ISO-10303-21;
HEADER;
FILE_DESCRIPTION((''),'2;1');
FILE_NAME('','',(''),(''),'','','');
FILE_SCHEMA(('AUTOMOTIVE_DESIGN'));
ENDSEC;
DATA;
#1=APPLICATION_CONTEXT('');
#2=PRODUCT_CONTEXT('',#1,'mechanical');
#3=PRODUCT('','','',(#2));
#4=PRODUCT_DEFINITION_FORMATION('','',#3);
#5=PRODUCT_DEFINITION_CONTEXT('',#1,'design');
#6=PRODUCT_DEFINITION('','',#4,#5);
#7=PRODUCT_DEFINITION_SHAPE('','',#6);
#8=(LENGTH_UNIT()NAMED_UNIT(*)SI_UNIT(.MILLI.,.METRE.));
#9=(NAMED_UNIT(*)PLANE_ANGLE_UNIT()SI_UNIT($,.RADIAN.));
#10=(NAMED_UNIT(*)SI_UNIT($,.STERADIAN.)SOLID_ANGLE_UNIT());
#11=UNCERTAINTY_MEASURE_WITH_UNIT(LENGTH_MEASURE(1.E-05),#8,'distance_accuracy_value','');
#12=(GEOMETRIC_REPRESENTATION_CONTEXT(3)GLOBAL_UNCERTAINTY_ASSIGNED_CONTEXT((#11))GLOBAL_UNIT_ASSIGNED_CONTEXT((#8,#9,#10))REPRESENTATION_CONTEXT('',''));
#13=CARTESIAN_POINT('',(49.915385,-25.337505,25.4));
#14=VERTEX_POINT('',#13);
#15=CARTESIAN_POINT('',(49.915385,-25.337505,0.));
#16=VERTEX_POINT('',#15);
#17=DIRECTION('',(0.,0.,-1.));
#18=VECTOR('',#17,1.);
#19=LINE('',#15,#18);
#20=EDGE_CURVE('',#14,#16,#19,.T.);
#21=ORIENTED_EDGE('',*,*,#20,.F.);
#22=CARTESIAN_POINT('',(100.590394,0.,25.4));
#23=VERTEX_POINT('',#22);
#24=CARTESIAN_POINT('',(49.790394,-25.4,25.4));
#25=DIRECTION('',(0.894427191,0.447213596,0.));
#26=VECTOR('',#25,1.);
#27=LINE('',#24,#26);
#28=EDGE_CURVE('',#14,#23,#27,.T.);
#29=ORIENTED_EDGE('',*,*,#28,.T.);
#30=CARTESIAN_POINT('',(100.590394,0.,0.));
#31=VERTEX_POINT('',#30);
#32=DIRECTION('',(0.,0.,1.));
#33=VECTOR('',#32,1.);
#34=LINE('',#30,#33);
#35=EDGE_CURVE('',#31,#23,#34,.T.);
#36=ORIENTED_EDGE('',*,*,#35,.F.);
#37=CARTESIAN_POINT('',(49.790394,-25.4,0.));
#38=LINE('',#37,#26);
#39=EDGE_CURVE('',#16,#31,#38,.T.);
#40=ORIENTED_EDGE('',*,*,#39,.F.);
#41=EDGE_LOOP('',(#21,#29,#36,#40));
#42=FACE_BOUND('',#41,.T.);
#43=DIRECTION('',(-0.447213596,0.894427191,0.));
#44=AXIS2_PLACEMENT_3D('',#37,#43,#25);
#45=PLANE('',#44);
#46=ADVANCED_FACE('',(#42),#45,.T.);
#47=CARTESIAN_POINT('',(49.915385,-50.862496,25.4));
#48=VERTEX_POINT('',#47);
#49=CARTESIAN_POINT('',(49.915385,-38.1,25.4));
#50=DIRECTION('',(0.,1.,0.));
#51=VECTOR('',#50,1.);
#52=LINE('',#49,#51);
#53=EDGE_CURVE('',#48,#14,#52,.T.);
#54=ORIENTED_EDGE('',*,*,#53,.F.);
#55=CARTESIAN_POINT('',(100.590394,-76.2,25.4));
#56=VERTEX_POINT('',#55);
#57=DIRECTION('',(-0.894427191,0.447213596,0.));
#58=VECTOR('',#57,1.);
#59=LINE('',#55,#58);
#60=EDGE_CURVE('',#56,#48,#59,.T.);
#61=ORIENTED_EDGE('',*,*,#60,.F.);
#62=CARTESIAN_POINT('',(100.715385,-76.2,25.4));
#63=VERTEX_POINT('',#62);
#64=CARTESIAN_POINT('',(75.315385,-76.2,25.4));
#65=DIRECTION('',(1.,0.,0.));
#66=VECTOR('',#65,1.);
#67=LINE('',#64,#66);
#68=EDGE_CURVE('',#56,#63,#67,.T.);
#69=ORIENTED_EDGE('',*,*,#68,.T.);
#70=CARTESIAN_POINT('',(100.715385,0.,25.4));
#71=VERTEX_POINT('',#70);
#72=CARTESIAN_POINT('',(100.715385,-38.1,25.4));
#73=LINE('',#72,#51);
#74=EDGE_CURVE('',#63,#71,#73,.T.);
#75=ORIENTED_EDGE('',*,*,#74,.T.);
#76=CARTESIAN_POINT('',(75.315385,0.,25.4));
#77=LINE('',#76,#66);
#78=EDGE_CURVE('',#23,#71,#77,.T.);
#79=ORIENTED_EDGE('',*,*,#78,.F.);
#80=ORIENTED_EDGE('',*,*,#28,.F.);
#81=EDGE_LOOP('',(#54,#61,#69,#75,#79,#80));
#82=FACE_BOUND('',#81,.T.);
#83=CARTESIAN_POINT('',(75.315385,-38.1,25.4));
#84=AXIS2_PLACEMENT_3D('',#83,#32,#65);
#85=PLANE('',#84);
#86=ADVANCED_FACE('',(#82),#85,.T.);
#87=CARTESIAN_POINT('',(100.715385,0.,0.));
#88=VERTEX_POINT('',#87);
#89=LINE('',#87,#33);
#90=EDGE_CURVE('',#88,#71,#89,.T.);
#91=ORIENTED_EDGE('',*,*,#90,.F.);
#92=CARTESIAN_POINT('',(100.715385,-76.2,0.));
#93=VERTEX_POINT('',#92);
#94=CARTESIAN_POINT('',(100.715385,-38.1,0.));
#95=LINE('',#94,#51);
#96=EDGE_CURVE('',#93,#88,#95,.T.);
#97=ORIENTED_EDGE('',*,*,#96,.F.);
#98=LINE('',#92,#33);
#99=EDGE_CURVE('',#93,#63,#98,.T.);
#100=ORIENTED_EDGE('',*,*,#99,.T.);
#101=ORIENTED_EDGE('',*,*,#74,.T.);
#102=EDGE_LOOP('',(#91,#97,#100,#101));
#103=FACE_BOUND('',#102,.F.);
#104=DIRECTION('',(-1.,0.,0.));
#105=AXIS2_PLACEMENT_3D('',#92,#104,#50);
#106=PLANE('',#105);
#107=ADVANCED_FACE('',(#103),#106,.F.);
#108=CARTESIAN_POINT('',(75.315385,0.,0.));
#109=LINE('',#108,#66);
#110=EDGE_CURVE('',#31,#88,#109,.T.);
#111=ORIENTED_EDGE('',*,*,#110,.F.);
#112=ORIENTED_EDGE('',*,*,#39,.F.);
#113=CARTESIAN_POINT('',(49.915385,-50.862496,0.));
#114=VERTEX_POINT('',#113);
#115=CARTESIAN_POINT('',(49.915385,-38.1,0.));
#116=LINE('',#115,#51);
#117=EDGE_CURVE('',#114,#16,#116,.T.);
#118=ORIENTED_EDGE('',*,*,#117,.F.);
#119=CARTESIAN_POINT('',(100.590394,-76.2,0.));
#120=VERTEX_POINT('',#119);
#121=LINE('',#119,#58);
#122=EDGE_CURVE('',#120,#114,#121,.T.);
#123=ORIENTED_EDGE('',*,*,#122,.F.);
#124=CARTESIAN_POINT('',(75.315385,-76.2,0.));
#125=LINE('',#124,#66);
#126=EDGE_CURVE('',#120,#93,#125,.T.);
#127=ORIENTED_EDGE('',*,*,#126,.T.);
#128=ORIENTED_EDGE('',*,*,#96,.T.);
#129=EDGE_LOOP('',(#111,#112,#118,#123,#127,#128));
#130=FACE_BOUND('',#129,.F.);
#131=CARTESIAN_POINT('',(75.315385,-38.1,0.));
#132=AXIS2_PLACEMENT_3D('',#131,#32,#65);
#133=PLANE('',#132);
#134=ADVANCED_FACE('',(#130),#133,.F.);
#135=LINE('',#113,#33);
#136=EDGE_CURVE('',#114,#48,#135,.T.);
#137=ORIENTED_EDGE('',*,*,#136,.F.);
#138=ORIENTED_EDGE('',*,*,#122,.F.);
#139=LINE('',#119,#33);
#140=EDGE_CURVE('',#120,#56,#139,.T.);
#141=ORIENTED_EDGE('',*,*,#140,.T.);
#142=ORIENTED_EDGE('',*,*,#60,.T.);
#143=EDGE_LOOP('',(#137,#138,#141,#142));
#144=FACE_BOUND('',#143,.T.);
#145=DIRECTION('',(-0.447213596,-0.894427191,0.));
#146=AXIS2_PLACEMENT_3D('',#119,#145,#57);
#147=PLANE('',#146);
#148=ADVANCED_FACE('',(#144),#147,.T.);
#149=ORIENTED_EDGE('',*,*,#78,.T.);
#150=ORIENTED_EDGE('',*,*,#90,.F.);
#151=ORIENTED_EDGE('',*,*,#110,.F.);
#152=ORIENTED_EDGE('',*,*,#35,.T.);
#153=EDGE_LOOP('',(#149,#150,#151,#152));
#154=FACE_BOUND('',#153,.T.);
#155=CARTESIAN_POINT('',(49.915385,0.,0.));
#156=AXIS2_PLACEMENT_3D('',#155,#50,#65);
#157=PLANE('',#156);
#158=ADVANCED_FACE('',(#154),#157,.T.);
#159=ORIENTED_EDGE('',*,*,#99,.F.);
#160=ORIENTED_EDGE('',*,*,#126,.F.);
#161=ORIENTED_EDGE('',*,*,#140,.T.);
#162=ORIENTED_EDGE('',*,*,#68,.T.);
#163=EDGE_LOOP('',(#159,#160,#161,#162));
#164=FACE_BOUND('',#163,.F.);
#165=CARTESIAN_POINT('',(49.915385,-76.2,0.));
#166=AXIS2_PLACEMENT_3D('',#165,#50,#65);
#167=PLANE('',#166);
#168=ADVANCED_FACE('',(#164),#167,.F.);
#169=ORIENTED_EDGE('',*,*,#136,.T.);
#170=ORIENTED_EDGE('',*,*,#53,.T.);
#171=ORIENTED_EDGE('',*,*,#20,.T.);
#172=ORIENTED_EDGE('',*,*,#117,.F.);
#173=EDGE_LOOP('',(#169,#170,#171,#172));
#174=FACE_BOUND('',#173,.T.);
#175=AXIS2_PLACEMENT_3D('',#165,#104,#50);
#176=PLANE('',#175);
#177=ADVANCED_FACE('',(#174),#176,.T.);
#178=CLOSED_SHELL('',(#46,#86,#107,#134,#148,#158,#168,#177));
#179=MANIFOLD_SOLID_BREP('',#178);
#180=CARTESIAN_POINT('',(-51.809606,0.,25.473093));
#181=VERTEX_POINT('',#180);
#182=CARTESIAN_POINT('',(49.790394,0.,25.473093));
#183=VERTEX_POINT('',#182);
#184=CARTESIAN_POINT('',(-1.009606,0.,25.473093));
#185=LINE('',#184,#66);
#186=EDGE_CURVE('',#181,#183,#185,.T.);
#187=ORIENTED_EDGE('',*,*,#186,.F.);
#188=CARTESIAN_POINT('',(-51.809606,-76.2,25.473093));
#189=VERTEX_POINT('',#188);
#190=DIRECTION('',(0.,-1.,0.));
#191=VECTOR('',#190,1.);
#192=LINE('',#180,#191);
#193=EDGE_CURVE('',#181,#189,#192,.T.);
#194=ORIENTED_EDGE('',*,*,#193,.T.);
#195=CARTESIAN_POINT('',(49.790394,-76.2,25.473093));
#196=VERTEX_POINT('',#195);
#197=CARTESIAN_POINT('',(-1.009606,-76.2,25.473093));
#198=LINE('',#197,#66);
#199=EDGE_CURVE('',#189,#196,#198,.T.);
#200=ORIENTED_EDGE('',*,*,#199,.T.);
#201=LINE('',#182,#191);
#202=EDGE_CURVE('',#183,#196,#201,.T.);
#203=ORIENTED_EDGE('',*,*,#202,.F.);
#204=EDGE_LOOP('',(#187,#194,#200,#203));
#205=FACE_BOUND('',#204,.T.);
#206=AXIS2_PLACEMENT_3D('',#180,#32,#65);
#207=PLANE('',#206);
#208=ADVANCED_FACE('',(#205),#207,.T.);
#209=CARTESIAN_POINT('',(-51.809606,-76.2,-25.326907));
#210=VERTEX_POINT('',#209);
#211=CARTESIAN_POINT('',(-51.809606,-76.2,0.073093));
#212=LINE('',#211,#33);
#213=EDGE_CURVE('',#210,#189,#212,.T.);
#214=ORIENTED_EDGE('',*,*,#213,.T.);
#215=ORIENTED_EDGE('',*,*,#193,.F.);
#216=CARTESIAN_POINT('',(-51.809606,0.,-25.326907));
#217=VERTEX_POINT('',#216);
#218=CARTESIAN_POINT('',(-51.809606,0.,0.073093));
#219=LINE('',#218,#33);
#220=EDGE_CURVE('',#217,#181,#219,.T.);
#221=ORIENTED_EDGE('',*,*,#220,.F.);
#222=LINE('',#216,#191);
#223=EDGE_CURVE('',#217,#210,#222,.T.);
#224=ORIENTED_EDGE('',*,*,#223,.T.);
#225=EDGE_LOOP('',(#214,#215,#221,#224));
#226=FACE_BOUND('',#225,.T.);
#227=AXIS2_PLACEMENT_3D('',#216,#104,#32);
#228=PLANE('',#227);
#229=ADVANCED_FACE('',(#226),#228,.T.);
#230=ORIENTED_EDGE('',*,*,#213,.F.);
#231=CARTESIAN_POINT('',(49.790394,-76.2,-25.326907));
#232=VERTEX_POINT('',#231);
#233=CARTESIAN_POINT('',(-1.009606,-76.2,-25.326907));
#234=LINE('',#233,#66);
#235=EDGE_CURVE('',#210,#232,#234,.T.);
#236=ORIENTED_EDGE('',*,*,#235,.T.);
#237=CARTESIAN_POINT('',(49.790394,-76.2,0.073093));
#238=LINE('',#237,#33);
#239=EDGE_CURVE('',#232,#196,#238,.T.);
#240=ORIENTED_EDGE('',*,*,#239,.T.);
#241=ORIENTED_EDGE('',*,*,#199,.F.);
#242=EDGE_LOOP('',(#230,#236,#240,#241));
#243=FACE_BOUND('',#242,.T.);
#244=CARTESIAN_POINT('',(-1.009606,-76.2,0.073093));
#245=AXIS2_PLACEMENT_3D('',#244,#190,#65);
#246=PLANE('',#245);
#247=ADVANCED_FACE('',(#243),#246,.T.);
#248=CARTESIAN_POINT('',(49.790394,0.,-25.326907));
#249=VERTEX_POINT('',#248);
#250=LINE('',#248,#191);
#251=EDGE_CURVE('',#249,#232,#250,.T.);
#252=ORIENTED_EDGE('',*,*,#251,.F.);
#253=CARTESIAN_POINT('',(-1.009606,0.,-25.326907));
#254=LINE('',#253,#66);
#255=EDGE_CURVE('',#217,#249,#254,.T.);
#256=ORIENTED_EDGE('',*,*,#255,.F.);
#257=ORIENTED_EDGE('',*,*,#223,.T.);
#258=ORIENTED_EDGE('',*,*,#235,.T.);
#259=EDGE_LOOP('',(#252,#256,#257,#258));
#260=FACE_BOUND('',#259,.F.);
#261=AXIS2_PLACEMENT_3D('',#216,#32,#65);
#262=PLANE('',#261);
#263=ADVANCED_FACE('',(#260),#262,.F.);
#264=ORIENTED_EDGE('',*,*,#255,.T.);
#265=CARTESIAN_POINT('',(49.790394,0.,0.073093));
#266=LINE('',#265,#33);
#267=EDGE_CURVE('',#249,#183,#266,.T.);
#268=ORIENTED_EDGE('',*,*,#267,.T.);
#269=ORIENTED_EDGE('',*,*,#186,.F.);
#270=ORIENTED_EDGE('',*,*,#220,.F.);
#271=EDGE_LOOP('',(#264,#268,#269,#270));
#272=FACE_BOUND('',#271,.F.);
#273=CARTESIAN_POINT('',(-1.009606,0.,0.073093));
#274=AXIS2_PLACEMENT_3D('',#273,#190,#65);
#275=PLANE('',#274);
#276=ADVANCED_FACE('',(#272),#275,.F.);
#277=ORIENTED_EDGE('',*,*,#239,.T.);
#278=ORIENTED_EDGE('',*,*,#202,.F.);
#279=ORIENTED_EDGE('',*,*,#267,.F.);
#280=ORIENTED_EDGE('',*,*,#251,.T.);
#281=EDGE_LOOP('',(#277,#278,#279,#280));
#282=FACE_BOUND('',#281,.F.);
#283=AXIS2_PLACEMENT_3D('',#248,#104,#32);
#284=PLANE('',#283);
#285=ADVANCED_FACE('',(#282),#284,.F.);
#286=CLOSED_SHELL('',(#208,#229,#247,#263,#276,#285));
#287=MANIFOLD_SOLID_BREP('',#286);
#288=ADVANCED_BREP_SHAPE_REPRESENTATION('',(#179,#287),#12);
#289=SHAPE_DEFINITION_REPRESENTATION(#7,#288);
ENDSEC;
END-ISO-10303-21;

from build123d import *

# Parameters (mm, degrees)
F0_W     = 101.6
F0_H     = 50.8
F1_DEPTH = 76.2
F3_W     = 50.8
F3_H     = 76.2
F4_DEPTH = 25.4
F5_DEPTH = 25.4


with BuildPart() as f1:
    # F0 (on Front) → F1 (new body)
    with BuildSketch(Plane.XZ):
        with Locations((-1.009606, 0.073093)):
            Rectangle(F0_W, F0_H)
    extrude(amount=F1_DEPTH)


with BuildPart() as f4:
    # F3 (on Top) → F4 (new body)
    with BuildSketch(Plane.XY):
        with Locations((75.315385, -38.1)):
            Rectangle(F3_W, F3_H)
    extrude(amount=F4_DEPTH)

    # F2 (on Top) → F5 (cut, through all)
    with BuildSketch(Plane.XY):
        Polygon((49.790394, -25.4), (100.590394, 0), (49.790394, 0), align=None)
        Polygon((49.790394, -50.8), (49.790394, -76.2), (100.590394, -76.2), align=None)
    extrude(amount=F5_DEPTH, mode=Mode.SUBTRACT)


solid = Compound([f1.part, f4.part])
